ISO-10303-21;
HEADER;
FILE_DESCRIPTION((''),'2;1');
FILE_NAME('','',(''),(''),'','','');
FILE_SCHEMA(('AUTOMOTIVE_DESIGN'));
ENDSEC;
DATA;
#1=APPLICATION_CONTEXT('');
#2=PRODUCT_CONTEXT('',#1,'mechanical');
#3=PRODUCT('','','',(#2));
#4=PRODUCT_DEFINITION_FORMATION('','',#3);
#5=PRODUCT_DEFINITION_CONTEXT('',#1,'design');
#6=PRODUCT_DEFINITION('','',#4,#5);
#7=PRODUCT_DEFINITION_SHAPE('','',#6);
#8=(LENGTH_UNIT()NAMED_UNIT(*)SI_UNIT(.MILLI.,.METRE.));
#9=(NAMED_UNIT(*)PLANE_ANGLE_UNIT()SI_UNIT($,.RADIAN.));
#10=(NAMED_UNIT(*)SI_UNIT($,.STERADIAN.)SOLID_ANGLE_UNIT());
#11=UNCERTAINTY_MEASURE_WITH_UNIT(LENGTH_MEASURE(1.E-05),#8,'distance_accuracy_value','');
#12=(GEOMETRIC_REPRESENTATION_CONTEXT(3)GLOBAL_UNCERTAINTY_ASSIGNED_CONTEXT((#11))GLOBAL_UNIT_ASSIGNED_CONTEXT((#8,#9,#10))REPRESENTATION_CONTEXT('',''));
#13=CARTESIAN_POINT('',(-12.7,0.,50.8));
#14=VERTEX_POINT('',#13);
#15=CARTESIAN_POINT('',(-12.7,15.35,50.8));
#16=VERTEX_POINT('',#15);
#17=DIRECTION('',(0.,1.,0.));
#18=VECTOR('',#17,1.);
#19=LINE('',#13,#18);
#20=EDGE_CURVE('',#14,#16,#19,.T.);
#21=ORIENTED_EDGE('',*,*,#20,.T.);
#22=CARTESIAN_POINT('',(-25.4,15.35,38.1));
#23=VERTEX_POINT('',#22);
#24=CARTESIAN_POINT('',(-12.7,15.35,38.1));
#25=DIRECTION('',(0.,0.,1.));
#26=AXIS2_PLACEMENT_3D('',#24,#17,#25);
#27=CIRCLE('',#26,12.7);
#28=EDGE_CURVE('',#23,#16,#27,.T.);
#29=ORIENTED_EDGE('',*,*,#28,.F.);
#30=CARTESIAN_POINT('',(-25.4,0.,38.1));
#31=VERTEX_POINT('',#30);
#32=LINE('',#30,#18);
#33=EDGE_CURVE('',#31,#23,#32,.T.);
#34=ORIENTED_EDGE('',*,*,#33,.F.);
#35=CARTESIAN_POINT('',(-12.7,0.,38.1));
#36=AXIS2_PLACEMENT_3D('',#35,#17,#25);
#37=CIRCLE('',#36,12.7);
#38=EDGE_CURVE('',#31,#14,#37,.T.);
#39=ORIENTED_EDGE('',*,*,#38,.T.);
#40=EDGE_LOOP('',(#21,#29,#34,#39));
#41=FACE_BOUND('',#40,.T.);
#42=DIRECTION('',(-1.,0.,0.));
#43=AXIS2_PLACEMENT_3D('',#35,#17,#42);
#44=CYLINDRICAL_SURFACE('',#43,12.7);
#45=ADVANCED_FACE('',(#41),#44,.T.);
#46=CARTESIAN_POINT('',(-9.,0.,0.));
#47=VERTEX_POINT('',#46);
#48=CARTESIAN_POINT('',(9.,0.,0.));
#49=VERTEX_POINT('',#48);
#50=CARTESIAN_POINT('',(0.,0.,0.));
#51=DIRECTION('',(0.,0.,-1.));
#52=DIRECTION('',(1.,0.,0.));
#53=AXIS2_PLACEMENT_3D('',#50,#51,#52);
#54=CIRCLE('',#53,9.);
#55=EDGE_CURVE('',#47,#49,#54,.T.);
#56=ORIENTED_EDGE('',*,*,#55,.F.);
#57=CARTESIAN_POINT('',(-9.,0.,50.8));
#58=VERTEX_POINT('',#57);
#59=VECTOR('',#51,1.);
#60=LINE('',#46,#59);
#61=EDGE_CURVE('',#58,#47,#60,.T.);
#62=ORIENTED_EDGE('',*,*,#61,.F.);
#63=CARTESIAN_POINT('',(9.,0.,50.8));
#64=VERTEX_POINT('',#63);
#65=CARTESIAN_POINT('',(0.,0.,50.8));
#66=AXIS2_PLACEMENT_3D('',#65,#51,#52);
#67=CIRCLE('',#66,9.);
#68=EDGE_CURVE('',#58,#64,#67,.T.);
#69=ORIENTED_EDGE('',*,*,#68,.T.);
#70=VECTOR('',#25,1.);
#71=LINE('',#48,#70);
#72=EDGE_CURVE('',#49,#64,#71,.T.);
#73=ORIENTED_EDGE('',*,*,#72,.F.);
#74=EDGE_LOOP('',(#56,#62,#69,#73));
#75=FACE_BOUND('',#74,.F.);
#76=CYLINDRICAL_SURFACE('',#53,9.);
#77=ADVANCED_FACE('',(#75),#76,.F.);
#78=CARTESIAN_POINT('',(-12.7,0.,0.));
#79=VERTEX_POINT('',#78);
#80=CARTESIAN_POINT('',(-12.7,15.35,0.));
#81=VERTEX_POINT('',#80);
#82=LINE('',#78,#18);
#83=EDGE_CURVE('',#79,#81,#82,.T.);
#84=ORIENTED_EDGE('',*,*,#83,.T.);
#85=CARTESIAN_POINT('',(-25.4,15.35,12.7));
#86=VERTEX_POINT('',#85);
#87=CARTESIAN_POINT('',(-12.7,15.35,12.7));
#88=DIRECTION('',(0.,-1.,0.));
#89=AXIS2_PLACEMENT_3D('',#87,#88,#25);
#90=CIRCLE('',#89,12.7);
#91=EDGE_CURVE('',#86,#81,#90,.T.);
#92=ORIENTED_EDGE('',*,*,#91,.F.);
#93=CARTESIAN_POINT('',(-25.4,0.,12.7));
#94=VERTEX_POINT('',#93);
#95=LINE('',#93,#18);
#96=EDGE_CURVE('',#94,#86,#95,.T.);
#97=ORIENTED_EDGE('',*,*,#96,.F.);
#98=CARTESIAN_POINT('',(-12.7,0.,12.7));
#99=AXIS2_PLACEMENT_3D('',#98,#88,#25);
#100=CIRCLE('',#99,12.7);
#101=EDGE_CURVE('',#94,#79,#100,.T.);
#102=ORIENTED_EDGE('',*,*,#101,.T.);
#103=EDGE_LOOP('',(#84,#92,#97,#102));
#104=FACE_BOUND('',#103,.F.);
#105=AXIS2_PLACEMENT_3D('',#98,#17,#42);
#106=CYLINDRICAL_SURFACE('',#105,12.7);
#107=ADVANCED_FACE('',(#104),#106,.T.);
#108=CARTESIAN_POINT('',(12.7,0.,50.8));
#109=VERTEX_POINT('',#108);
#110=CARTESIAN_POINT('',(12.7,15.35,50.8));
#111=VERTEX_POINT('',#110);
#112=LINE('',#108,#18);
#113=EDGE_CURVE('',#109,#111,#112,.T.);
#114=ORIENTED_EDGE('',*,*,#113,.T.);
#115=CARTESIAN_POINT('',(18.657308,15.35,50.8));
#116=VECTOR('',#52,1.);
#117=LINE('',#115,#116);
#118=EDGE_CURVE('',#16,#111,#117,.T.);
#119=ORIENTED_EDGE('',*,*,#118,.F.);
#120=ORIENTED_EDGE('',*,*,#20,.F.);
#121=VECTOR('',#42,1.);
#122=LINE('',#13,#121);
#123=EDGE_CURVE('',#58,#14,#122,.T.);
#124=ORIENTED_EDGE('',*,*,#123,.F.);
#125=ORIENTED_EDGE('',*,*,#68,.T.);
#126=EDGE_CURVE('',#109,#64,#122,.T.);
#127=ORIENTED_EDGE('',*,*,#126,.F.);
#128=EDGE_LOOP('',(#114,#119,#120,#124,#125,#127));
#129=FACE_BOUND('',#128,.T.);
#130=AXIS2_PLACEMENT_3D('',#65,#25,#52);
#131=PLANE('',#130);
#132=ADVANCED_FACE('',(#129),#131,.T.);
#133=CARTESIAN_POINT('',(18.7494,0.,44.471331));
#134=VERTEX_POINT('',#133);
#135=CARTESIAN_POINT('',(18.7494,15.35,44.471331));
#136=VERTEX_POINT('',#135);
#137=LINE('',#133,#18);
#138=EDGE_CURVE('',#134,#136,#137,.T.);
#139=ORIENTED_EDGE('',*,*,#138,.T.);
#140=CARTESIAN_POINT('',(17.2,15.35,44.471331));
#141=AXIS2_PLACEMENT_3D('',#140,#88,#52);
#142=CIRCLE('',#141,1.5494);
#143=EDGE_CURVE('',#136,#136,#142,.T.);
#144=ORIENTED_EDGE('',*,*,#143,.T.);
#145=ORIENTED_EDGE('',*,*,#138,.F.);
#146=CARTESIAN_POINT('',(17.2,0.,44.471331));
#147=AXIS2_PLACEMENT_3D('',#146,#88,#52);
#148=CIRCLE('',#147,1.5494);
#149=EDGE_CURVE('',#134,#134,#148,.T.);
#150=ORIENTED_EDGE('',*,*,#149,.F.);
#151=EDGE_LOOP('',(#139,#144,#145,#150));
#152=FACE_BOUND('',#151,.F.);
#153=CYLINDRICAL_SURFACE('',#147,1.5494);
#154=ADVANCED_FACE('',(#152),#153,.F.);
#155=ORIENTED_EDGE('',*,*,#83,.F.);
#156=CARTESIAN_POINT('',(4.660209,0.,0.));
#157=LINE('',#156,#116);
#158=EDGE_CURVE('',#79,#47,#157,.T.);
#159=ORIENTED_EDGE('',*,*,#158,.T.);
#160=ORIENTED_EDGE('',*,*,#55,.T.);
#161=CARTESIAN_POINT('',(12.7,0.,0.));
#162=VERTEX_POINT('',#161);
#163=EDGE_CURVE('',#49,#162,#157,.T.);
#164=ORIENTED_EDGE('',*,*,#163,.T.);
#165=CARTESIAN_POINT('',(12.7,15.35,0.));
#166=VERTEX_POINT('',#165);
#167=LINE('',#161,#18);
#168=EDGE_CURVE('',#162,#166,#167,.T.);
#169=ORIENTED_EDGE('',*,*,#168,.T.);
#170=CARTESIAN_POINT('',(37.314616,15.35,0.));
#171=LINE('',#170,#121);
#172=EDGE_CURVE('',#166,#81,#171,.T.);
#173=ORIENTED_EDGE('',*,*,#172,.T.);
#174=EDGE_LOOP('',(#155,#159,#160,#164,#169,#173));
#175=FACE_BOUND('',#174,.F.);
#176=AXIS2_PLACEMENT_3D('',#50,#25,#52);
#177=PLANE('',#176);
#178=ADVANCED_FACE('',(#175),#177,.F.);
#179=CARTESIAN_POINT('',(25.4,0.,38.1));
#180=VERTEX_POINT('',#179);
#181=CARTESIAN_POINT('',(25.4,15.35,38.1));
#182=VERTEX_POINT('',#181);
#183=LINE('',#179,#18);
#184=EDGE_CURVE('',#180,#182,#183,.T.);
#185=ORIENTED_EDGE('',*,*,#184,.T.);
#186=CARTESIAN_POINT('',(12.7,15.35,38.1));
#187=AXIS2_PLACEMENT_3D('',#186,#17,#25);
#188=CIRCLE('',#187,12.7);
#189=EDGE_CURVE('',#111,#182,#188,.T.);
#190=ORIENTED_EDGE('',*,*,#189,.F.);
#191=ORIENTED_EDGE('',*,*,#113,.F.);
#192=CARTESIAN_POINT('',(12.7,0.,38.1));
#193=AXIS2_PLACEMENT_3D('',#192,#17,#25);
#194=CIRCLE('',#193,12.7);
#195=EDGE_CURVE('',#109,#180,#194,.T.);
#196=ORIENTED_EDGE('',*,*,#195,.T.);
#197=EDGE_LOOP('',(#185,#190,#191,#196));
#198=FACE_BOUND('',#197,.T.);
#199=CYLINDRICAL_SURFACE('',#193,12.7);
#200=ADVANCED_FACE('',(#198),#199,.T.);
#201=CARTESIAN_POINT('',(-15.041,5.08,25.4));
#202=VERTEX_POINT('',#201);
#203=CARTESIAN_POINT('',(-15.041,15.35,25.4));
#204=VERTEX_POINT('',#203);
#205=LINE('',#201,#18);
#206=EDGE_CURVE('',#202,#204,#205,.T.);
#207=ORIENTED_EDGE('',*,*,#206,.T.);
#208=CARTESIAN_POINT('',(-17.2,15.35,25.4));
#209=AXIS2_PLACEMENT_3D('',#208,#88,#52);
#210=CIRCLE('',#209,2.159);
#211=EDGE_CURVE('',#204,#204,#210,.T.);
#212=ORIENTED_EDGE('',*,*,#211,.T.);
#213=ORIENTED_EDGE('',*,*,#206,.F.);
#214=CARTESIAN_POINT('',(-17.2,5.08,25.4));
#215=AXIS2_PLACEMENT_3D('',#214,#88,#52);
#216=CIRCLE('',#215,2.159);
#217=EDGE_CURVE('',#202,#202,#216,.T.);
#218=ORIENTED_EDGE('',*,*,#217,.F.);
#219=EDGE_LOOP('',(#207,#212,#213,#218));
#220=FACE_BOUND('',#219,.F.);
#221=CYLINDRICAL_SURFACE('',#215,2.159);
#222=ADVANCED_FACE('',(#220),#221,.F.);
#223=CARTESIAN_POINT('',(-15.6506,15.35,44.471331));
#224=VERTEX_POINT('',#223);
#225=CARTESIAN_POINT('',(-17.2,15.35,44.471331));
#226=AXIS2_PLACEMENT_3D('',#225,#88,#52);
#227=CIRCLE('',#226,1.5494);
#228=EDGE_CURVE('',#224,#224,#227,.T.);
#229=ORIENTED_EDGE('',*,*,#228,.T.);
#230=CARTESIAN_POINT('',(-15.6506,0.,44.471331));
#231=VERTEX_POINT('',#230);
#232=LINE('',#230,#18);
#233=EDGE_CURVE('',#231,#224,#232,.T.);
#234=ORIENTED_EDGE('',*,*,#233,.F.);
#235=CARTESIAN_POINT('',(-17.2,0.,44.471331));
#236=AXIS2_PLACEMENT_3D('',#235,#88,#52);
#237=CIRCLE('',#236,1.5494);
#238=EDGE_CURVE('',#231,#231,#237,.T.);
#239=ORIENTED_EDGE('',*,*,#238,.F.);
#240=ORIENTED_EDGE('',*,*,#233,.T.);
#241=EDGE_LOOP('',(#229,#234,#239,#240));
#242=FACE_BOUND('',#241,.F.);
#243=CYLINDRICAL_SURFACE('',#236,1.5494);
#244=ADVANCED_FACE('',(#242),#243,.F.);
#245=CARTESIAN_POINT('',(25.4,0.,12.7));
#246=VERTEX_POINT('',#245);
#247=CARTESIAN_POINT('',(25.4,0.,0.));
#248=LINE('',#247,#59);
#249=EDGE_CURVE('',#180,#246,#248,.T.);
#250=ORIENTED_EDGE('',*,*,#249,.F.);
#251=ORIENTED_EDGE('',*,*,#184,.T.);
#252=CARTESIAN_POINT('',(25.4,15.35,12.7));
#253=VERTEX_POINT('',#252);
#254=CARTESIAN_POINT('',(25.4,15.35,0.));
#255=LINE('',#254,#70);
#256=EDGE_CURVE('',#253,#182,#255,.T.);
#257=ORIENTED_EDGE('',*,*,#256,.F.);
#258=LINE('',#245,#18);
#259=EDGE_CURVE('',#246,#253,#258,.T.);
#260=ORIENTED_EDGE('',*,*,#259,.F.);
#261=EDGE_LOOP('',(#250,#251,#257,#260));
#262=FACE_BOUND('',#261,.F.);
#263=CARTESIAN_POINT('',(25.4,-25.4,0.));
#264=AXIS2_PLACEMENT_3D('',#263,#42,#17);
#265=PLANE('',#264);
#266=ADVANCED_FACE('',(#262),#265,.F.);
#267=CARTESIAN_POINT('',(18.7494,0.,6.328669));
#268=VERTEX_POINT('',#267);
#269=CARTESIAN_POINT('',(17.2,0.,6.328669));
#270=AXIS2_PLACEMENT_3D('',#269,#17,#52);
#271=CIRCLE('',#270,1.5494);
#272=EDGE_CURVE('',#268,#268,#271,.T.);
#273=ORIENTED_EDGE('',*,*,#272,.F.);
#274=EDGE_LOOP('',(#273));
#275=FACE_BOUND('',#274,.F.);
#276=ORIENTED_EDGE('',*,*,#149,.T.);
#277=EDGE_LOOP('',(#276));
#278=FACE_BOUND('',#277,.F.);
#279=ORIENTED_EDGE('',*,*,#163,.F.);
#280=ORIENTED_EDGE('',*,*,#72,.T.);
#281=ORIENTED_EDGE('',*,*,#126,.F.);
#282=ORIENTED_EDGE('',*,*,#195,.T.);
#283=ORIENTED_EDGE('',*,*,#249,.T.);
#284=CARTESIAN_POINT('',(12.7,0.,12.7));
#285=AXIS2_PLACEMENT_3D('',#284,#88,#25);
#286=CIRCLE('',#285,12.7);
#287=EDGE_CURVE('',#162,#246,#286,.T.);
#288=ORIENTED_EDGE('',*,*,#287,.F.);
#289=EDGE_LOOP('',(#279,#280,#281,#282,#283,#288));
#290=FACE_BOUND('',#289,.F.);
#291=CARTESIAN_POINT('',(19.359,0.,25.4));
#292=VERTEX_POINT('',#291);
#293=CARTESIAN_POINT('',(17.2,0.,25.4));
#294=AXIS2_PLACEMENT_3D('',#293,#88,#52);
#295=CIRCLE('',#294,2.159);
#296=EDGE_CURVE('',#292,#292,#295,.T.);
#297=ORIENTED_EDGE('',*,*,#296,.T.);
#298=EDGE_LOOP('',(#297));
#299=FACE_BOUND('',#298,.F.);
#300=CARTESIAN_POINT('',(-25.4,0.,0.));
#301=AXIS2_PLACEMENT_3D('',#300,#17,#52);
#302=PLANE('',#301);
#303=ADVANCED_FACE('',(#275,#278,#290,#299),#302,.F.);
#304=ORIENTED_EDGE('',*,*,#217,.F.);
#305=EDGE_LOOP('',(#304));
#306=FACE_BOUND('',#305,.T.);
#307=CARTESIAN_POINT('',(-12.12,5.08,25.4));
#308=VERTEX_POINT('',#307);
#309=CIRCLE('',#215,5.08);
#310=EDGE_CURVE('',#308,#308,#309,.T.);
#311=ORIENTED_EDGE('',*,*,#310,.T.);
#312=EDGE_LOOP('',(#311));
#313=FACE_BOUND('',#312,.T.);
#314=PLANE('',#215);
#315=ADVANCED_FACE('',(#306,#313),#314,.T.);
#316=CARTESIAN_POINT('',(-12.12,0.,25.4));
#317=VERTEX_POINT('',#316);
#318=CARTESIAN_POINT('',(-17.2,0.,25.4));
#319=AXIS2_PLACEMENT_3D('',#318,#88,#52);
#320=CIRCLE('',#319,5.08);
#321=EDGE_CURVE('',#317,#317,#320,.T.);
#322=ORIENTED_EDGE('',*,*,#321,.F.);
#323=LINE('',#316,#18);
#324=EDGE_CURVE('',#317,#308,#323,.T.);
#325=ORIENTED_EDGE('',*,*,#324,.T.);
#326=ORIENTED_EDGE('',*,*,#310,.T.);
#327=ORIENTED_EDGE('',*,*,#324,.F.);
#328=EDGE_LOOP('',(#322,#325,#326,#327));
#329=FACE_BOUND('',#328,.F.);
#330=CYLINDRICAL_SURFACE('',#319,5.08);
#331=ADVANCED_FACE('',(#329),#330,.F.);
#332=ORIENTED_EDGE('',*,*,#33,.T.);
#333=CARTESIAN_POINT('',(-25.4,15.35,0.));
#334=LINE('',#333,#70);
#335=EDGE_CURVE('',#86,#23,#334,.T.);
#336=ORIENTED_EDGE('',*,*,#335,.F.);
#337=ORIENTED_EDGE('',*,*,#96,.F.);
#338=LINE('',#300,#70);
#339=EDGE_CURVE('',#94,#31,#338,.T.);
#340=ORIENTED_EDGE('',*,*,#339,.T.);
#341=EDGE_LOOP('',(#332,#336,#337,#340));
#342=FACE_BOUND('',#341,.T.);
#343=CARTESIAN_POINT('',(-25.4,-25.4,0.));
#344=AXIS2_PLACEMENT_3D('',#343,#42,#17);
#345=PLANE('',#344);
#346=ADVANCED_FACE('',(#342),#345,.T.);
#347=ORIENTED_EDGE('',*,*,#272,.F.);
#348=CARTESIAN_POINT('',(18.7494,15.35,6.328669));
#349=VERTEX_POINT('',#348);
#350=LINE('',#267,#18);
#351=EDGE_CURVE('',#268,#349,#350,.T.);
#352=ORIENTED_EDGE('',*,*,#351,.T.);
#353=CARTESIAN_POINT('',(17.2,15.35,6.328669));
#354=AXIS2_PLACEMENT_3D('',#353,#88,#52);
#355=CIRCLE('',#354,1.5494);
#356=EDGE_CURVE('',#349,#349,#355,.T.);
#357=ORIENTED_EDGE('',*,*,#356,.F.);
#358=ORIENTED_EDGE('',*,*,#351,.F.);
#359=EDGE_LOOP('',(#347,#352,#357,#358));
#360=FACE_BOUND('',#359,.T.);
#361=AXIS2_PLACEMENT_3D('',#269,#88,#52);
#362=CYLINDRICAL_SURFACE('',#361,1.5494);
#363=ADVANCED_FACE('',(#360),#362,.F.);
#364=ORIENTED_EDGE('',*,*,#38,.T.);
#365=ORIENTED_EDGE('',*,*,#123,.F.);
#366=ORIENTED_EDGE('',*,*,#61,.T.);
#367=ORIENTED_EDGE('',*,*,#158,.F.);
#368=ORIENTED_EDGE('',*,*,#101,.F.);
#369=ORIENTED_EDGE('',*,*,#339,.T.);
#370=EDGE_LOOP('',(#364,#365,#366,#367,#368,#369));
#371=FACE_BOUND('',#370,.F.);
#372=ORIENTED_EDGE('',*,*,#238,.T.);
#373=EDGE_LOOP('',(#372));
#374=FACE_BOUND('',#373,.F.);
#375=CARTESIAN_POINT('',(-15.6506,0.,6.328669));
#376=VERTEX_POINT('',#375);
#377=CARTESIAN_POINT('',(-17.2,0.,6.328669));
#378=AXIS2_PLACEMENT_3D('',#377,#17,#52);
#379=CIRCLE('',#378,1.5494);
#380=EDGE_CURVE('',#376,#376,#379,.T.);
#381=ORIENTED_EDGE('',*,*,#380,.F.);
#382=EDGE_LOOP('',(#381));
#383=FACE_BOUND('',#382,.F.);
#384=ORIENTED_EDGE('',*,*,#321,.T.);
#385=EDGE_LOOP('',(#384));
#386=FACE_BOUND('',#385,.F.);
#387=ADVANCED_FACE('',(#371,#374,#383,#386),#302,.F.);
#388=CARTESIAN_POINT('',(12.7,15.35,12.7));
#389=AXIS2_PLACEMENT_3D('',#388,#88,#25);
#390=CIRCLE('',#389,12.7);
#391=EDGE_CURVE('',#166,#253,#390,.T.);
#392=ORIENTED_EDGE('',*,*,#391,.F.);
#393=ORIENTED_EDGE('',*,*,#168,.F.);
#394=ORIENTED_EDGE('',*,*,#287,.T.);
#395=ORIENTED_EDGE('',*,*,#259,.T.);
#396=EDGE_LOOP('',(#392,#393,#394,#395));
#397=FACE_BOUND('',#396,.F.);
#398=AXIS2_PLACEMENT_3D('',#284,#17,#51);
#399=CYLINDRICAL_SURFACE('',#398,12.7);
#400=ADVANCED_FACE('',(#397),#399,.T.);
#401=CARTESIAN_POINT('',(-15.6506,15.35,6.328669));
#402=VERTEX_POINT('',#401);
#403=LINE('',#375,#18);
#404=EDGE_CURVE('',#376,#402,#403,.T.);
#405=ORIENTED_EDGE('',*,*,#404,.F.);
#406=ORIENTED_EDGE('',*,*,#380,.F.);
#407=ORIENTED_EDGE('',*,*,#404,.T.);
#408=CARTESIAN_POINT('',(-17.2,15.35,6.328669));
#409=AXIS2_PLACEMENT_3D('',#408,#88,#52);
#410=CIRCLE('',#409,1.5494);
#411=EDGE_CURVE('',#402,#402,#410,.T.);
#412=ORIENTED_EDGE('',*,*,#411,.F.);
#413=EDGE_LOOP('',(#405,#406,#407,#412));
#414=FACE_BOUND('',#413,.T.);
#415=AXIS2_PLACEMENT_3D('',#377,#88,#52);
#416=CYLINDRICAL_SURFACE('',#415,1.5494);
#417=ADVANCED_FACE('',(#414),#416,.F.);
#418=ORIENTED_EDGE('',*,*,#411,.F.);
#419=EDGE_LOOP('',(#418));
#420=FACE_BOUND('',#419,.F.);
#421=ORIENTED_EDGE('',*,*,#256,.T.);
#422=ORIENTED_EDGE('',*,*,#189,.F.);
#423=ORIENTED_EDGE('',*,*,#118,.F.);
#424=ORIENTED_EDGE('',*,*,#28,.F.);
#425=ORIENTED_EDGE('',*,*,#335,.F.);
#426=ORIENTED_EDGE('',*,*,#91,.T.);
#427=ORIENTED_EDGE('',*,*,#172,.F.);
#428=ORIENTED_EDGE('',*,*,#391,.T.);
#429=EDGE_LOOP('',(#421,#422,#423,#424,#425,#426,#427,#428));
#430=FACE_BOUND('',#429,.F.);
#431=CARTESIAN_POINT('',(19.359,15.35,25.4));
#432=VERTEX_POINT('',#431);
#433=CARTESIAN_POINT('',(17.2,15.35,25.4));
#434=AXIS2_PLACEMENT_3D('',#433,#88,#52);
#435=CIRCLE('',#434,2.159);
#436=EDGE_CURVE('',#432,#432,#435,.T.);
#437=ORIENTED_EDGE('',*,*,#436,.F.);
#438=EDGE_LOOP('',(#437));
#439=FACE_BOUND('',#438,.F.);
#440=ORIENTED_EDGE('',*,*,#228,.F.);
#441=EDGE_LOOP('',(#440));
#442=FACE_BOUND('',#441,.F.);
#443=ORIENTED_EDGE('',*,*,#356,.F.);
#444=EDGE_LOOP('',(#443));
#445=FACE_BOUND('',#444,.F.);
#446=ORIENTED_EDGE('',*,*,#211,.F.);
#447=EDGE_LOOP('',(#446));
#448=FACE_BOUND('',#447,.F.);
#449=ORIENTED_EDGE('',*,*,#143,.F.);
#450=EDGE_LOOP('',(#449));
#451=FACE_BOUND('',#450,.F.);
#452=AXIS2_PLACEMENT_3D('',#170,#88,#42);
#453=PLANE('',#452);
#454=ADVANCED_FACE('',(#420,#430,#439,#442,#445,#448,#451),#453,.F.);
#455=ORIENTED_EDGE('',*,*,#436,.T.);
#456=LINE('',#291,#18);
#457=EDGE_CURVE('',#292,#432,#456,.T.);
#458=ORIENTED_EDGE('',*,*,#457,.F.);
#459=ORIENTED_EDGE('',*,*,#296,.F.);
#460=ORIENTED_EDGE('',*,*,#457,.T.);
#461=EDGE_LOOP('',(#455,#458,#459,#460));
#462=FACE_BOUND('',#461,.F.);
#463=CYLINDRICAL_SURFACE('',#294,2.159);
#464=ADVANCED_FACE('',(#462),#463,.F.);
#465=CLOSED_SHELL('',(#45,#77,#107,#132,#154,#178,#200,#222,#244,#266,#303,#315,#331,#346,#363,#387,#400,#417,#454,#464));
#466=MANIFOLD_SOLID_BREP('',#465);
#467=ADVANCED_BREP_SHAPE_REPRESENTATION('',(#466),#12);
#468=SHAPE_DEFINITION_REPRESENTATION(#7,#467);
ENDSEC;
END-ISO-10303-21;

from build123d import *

# Parameters (mm, degrees)
F0_W      = 50.8
F0_H      = 50.8
F1_DEPTH  = 50.8
F2_R      = 9
F3_DEPTH  = 407.416
F4_W      = 60.1204171121
F4_H      = 25.4
F5_DEPTH  = 338.582
F6_R      = 5.08
F7_DEPTH  = 5.08
F8_R      = 2.159
F9_DEPTH  = 25.4
F10_R     = 1.5494
F11_DEPTH = 25.4
F12_R     = 1.5494
F12_R_2   = 2.159
F13_DEPTH = 25.4
F18_DEPTH = 72.39
F21_R     = 12.7


with BuildPart() as f1:
    # F0 (on Top) → F1 (new body)
    with BuildSketch(Plane.XY):
        Rectangle(F0_W, F0_H)
    extrude(amount=F1_DEPTH)

    # F2 (on face) → F3 (cut)
    with BuildSketch(Plane(origin=(0, 0, 0), x_dir=(1, 0, 0), z_dir=(0, 0, -1))):
        Circle(F2_R)
    extrude(amount=-F3_DEPTH, mode=Mode.SUBTRACT)

    # F4 (on face) → F5 (cut)
    with BuildSketch(Plane(origin=(0, 0, 0), x_dir=(1, 0, 0), z_dir=(0, 0, -1))):
        with Locations((4.6602085561, 12.7)):
            Rectangle(F4_W, F4_H)
    extrude(amount=-F5_DEPTH, mode=Mode.SUBTRACT)

    # F6 (on face) → F7 (cut)
    with BuildSketch(Plane.XZ):
        with Locations((-17.2, 25.4)):
            Circle(F6_R)
    extrude(amount=-F7_DEPTH, mode=Mode.SUBTRACT)

    # F8 (on face) → F9 (cut)
    with BuildSketch(Plane.XZ.offset(-5.08)):
        with Locations((-17.2, 25.4)):
            Circle(F8_R)
    extrude(amount=-F9_DEPTH, mode=Mode.SUBTRACT)

    # F10 (on face) → F11 (cut)
    with BuildSketch(Plane.XZ):
        with Locations((-17.2, 44.4713309407)):
            Circle(F10_R)
    extrude(amount=-F11_DEPTH, mode=Mode.SUBTRACT)

    # F12 (on face) → F13 (cut)
    with BuildSketch(Plane.XZ):
        with Locations((17.2, 44.4713309407)):
            Circle(F12_R)
        with Locations((17.2, 25.4)):
            Circle(F12_R_2)
    extrude(amount=-F13_DEPTH, mode=Mode.SUBTRACT)

    # F16: F1 across plane


with BuildPart() as f1_1:
    add(f1.part)
    add(f1.part.mirror(Plane(origin=(0, 13.6714489466, 25.4), x_dir=(1, 0, 0), z_dir=(0, 0, 1))), mode=Mode.INTERSECT)

    # F17 (on face) → F18 (cut)
    with BuildSketch(Plane(origin=(0, 0, 0), x_dir=(1, 0, 0), z_dir=(0, 0, -1))):
        Polygon((37.3146161437, -15.35), (0, -15.35), (-44.7141490877, -15.35), (-42.6479764283, -31.9298505783), (43.3826521039, -33.9571945369), align=None)
    extrude(amount=-F18_DEPTH, mode=Mode.SUBTRACT)

    # F21
    f21_edges = [f1_1.edges().sort_by_distance(p)[0] for p in [
        (25.4, 7.675, 50.8),
        (25.4, 7.675, 0),
        (-25.4, 7.675, 50.8),
        (-25.4, 7.675, 0),
    ]]
    fillet(f21_edges, radius=F21_R)


solid = f1_1.part
